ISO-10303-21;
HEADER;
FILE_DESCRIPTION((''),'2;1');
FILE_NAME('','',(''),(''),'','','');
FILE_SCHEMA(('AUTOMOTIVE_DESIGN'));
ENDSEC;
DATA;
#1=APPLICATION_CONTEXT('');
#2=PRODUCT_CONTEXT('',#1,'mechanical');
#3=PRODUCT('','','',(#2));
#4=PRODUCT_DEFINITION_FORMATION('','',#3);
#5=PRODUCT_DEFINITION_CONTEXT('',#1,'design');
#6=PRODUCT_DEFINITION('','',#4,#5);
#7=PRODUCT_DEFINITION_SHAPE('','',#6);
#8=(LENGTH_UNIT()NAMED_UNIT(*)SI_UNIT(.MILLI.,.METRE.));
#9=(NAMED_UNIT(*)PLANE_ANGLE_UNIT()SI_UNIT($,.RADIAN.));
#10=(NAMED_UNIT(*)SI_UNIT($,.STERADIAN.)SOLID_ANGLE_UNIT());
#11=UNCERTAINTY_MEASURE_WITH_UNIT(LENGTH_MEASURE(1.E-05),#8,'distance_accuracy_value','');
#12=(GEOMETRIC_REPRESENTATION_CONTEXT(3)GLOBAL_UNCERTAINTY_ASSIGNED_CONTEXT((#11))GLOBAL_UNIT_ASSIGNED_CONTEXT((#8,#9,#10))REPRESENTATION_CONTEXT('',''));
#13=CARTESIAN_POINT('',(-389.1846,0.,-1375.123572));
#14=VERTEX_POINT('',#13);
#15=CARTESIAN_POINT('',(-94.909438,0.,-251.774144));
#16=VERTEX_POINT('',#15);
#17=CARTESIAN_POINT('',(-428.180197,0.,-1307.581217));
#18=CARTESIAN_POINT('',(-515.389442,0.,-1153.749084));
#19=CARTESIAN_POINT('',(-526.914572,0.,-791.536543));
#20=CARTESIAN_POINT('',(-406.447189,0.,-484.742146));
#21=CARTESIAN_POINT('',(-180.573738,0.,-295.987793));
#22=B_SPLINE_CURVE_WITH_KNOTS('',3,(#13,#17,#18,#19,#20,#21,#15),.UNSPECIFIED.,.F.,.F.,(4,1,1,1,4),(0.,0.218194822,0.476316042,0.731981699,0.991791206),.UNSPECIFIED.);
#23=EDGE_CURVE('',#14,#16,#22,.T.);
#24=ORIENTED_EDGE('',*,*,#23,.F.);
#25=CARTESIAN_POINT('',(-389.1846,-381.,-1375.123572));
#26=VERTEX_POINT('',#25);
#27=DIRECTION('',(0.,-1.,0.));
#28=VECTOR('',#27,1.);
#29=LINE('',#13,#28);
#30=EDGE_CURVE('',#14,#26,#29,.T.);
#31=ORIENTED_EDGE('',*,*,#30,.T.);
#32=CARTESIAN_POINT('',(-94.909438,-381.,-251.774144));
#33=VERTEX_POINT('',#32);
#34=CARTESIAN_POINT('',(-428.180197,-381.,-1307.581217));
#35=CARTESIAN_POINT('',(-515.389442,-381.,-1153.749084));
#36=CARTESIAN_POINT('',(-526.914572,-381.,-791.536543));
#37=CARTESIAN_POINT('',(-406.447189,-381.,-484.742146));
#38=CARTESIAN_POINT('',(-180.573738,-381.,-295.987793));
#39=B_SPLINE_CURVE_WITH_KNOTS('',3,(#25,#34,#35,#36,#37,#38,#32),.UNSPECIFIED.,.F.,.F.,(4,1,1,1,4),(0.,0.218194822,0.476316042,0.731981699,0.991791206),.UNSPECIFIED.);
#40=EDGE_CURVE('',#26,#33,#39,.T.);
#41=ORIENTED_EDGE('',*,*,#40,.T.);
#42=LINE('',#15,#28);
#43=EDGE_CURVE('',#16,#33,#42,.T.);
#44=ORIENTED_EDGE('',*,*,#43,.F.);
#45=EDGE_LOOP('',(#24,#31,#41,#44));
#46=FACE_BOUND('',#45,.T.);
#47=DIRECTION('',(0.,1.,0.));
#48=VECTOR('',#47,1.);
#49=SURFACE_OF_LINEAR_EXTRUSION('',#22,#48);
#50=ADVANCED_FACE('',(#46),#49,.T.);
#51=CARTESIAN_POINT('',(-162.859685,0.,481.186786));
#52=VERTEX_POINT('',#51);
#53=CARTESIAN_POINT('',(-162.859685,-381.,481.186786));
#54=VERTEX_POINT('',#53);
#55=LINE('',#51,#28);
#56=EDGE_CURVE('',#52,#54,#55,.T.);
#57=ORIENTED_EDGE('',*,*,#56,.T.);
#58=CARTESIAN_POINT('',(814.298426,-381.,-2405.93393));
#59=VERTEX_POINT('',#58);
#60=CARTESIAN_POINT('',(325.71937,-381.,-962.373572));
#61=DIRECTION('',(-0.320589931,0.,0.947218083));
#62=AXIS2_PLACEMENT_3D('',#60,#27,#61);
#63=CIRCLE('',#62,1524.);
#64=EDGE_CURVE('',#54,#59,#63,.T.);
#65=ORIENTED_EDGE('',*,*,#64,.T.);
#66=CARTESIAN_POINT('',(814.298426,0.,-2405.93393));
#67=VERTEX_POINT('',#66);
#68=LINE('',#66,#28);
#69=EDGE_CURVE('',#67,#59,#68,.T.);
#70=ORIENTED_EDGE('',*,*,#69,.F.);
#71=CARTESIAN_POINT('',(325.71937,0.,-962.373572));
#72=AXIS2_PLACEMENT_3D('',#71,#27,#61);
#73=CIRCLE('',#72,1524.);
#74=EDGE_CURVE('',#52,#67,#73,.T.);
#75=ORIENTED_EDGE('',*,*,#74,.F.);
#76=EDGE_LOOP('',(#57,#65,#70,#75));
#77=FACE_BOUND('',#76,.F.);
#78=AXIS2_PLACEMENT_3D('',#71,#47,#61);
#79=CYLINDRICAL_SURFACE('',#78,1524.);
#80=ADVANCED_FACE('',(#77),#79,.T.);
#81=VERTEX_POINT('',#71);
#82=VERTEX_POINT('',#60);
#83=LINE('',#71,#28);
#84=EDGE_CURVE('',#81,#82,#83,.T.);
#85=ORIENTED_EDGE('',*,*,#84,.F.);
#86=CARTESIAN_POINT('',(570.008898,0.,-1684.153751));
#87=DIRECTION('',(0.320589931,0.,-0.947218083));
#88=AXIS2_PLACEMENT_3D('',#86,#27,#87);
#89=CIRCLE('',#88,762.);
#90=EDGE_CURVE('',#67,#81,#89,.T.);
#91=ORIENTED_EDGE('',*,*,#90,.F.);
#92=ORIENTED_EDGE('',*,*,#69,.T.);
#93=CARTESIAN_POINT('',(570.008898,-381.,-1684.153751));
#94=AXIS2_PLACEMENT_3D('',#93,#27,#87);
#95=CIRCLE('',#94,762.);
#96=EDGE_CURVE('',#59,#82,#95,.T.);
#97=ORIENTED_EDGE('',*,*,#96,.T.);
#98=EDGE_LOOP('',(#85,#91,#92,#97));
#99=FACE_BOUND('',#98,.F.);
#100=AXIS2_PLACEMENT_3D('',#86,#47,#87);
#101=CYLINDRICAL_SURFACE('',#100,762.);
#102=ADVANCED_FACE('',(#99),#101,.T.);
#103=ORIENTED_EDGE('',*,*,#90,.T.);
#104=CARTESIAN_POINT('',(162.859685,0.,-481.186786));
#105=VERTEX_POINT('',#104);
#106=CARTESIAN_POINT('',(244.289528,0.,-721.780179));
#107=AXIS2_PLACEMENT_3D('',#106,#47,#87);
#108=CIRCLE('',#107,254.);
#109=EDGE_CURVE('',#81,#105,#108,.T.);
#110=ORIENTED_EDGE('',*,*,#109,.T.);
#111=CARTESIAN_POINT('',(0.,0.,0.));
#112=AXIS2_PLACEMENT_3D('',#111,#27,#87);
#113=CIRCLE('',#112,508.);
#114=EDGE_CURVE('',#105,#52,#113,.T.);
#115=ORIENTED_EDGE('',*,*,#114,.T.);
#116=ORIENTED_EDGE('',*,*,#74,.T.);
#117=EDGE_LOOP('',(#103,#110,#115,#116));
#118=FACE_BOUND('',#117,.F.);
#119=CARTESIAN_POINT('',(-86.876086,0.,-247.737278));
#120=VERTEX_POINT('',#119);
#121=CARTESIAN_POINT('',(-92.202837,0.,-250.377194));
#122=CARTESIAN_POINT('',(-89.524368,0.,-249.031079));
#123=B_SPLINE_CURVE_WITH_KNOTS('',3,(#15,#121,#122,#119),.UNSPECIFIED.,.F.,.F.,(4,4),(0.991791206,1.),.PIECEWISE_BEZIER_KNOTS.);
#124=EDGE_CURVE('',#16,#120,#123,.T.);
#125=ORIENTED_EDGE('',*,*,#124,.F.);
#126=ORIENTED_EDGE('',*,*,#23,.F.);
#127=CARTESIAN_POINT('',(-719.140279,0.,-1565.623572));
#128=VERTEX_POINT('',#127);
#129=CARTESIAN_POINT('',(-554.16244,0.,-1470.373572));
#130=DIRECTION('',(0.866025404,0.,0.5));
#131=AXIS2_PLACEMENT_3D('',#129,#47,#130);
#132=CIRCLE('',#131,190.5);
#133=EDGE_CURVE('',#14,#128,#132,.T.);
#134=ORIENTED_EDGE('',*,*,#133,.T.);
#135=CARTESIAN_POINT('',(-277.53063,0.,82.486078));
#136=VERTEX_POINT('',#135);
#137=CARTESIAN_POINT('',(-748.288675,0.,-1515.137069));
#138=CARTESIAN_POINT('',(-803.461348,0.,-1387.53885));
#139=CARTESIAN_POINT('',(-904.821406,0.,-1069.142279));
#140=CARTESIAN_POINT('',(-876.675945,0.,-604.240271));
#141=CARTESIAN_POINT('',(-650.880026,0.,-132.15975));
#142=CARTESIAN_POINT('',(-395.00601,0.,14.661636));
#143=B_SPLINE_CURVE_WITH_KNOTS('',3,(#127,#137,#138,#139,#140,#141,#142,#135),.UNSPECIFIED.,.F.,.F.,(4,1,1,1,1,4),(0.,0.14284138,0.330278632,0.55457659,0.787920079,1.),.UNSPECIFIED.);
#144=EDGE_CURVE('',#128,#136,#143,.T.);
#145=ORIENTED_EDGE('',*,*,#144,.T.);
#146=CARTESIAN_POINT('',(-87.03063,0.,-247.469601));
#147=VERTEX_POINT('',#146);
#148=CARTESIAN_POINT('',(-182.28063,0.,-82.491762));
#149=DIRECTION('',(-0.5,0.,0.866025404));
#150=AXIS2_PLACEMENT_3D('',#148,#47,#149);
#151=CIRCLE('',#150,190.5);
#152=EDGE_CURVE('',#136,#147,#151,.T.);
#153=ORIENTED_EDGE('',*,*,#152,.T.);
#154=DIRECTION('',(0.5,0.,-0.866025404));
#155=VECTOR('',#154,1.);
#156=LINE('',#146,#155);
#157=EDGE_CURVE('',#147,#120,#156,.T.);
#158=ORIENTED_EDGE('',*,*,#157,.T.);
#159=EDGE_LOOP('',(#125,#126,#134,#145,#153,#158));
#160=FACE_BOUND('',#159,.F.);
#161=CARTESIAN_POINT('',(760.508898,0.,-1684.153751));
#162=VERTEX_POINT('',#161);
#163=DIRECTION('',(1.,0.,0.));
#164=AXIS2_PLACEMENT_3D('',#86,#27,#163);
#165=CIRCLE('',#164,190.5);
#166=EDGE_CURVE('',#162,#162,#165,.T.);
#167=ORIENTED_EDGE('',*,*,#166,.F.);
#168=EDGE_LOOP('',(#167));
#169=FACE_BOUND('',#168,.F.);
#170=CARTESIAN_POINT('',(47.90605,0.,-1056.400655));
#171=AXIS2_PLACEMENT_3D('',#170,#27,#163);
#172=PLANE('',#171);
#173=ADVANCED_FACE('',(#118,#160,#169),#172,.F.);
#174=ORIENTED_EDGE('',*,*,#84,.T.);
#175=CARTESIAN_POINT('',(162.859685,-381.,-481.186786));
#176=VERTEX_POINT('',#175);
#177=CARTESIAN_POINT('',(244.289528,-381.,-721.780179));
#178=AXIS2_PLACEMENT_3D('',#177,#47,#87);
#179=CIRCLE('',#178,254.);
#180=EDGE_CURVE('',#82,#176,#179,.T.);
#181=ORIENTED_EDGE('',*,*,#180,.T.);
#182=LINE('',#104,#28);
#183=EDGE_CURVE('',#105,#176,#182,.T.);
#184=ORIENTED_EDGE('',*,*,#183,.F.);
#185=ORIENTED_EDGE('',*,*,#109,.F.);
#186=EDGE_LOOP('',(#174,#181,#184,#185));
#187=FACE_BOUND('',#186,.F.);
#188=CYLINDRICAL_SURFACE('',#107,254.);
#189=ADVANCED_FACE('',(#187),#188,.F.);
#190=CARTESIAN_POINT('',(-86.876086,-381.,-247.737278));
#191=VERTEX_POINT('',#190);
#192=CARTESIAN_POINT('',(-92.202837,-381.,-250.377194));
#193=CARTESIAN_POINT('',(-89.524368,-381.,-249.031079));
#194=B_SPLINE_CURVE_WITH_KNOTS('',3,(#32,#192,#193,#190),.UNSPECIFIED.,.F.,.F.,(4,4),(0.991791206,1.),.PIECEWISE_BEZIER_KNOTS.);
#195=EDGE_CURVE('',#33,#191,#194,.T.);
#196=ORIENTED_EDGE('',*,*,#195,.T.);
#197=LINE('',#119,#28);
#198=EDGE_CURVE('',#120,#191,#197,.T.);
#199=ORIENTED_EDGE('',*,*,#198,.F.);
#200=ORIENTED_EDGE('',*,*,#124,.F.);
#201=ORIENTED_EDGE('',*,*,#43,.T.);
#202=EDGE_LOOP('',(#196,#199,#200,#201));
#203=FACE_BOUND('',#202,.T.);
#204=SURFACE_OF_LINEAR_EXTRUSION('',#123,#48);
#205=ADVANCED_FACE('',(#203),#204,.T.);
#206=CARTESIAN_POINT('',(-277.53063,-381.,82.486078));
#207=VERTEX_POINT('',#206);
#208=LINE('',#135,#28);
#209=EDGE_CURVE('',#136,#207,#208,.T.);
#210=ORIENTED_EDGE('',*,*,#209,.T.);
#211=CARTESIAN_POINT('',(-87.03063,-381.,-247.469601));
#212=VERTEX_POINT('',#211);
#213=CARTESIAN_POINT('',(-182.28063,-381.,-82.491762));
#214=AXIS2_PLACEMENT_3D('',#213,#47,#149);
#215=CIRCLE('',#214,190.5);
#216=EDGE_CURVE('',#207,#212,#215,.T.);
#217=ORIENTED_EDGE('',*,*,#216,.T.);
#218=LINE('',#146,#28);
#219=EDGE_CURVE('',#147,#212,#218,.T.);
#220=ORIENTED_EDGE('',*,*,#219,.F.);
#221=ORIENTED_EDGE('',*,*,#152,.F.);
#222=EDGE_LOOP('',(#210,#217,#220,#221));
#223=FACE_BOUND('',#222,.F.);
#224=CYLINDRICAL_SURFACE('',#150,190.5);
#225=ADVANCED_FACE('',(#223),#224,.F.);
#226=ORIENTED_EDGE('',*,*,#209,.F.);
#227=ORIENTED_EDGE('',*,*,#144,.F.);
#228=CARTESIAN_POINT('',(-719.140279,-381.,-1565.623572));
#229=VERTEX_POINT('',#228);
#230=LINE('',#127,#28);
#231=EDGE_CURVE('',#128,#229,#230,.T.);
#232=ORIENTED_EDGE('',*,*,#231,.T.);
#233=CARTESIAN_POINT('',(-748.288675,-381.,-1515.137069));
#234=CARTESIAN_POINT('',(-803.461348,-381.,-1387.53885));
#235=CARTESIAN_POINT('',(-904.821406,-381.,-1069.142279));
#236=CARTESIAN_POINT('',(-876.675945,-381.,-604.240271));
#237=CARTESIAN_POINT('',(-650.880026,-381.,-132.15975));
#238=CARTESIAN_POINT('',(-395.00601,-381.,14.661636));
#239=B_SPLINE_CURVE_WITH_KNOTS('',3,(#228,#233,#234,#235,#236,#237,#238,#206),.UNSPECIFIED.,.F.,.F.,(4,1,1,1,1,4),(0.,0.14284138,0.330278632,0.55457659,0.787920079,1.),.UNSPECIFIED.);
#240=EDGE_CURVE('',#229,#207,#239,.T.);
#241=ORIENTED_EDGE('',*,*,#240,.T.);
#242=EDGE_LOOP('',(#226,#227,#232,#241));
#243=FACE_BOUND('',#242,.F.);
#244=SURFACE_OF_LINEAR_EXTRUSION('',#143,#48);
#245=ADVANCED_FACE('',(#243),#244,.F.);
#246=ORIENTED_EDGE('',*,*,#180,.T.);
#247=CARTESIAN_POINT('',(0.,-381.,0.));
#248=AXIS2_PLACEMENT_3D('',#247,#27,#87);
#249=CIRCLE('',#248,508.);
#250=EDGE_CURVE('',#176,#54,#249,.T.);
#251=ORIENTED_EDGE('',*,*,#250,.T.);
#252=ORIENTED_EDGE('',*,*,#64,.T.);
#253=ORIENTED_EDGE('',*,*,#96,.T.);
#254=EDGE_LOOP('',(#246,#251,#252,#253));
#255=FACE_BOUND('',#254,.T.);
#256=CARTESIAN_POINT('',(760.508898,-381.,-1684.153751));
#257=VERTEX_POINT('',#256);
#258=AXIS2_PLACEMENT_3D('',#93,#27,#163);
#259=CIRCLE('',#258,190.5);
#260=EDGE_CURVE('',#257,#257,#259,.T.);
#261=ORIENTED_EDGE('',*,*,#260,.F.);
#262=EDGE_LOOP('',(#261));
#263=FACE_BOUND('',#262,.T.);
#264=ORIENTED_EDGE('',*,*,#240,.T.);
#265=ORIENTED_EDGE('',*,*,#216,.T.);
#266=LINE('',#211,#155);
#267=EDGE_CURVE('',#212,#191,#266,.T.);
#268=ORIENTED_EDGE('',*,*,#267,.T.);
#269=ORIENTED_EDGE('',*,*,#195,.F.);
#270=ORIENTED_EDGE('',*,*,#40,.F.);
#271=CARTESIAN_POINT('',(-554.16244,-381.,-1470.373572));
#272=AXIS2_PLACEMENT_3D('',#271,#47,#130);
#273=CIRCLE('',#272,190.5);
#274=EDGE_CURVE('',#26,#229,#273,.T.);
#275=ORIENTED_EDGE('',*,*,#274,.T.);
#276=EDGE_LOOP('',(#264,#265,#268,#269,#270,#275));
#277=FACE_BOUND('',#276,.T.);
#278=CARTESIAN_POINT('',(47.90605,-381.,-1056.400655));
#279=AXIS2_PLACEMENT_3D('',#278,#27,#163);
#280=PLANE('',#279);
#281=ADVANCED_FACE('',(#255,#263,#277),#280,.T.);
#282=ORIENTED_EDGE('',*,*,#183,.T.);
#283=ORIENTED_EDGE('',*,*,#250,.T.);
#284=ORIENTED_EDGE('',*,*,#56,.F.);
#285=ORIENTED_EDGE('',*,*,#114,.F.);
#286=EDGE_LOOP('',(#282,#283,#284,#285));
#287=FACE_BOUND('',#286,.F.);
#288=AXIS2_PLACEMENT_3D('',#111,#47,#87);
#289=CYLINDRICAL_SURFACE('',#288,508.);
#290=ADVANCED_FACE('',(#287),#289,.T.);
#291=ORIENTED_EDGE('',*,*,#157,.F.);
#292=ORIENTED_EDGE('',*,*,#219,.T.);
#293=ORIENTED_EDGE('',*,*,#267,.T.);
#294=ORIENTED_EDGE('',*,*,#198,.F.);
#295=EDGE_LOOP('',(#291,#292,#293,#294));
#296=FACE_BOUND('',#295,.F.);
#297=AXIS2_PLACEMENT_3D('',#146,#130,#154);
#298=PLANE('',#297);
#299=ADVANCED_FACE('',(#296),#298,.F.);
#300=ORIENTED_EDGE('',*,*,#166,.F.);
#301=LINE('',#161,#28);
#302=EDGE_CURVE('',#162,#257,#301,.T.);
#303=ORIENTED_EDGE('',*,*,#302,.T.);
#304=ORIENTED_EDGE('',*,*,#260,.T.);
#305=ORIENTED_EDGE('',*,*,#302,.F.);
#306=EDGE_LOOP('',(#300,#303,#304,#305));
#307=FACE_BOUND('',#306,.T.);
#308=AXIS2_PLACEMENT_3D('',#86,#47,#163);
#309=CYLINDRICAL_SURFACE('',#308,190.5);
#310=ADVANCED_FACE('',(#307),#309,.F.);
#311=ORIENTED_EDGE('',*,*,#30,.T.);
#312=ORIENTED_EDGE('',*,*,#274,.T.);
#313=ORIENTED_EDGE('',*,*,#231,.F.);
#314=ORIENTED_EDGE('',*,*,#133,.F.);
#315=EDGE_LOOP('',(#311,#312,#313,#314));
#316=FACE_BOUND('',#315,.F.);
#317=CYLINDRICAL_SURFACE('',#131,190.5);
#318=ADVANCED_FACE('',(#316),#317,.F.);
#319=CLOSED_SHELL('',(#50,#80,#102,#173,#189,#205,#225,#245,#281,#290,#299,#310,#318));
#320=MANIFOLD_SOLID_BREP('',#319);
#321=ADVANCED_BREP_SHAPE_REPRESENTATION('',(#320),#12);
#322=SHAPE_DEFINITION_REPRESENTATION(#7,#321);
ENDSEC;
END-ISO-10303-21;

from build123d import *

# Parameters (mm, degrees)
F0_R     = 190.5
F1_DEPTH = 381


with BuildPart() as f1:
    # F0 (on Front) → F1 (new body)
    with BuildSketch(Plane.XZ):
        with BuildLine():
            ThreePointArc((325.719370356, -962.3735718394), (3.6961348071, -803.2100214685), (162.859685178, -481.1867859197))
            ThreePointArc((162.859685178, -481.1867859197), (481.1867859197, 162.859685178), (-162.859685178, 481.1867859197))
            ThreePointArc((-162.859685178, 481.1867859197), (-1117.8409874031, -1450.9526273733), (814.2984258899, -2405.9339295985))
            ThreePointArc((814.2984258899, -2405.9339295985), (1291.7890770025, -1439.864222952), (325.719370356, -962.3735718394))
        make_face()
        with Locations((570.0088981229, -1684.1537507189)):
            Circle(F0_R, mode=Mode.SUBTRACT)
        with BuildLine():
            Line((-87.030629644, -247.4696010154), (-86.8760860534, -247.7372783663))
            add(Edge.make_bspline(
                [(-94.9094377488, -251.7741435094), (-92.2028370971, -250.3771940912), (-89.5243680445, -249.0310788628), (-86.8760860534, -247.7372783663)],
                knots=[0.9917912061, 0.9917912061, 0.9917912061, 0.9917912061, 1, 1, 1, 1], degree=3))
            add(Edge.make_bspline(
                [(-389.1846004681, -1375.1235718394), (-428.1801974237, -1307.5812166409), (-515.3894424096, -1153.7490842148), (-526.914571938, -791.5365431384), (-406.4471885857, -484.7421461487), (-180.5737375538, -295.9877934602), (-94.9094377488, -251.7741435094)],
                knots=[0, 0, 0, 0, 0.2181948222, 0.476316042, 0.7319816992, 0.9917912061, 0.9917912061, 0.9917912061, 0.9917912061], degree=3))
            ThreePointArc((-389.1846004681, -1375.1235718394), (-458.912439889, -1635.3514112603), (-719.14027931, -1565.6235718394))
            add(Edge.make_bspline(
                [(-719.14027931, -1565.6235718394), (-748.2886752208, -1515.1370691627), (-803.4613477969, -1387.5388500853), (-904.8214060624, -1069.14227852), (-876.6759454634, -604.2402706478), (-650.8800264343, -132.1597502616), (-395.0060096608, 14.6616355507), (-277.530629644, 82.4860778265)],
                knots=[0, 0, 0, 0, 0.1428413796, 0.3302786316, 0.5545765899, 0.7879200788, 1, 1, 1, 1], degree=3))
            ThreePointArc((-277.530629644, 82.4860778265), (-124.3949905718, 99.000670174), (-9.0997030514, -3.1279369353))
            ThreePointArc((-9.0997030514, -3.1279369353), (-0.7881978757, -140.3774006667), (-87.030629644, -247.4696010154))
        make_face(mode=Mode.SUBTRACT)
    extrude(amount=F1_DEPTH)


solid = f1.part
